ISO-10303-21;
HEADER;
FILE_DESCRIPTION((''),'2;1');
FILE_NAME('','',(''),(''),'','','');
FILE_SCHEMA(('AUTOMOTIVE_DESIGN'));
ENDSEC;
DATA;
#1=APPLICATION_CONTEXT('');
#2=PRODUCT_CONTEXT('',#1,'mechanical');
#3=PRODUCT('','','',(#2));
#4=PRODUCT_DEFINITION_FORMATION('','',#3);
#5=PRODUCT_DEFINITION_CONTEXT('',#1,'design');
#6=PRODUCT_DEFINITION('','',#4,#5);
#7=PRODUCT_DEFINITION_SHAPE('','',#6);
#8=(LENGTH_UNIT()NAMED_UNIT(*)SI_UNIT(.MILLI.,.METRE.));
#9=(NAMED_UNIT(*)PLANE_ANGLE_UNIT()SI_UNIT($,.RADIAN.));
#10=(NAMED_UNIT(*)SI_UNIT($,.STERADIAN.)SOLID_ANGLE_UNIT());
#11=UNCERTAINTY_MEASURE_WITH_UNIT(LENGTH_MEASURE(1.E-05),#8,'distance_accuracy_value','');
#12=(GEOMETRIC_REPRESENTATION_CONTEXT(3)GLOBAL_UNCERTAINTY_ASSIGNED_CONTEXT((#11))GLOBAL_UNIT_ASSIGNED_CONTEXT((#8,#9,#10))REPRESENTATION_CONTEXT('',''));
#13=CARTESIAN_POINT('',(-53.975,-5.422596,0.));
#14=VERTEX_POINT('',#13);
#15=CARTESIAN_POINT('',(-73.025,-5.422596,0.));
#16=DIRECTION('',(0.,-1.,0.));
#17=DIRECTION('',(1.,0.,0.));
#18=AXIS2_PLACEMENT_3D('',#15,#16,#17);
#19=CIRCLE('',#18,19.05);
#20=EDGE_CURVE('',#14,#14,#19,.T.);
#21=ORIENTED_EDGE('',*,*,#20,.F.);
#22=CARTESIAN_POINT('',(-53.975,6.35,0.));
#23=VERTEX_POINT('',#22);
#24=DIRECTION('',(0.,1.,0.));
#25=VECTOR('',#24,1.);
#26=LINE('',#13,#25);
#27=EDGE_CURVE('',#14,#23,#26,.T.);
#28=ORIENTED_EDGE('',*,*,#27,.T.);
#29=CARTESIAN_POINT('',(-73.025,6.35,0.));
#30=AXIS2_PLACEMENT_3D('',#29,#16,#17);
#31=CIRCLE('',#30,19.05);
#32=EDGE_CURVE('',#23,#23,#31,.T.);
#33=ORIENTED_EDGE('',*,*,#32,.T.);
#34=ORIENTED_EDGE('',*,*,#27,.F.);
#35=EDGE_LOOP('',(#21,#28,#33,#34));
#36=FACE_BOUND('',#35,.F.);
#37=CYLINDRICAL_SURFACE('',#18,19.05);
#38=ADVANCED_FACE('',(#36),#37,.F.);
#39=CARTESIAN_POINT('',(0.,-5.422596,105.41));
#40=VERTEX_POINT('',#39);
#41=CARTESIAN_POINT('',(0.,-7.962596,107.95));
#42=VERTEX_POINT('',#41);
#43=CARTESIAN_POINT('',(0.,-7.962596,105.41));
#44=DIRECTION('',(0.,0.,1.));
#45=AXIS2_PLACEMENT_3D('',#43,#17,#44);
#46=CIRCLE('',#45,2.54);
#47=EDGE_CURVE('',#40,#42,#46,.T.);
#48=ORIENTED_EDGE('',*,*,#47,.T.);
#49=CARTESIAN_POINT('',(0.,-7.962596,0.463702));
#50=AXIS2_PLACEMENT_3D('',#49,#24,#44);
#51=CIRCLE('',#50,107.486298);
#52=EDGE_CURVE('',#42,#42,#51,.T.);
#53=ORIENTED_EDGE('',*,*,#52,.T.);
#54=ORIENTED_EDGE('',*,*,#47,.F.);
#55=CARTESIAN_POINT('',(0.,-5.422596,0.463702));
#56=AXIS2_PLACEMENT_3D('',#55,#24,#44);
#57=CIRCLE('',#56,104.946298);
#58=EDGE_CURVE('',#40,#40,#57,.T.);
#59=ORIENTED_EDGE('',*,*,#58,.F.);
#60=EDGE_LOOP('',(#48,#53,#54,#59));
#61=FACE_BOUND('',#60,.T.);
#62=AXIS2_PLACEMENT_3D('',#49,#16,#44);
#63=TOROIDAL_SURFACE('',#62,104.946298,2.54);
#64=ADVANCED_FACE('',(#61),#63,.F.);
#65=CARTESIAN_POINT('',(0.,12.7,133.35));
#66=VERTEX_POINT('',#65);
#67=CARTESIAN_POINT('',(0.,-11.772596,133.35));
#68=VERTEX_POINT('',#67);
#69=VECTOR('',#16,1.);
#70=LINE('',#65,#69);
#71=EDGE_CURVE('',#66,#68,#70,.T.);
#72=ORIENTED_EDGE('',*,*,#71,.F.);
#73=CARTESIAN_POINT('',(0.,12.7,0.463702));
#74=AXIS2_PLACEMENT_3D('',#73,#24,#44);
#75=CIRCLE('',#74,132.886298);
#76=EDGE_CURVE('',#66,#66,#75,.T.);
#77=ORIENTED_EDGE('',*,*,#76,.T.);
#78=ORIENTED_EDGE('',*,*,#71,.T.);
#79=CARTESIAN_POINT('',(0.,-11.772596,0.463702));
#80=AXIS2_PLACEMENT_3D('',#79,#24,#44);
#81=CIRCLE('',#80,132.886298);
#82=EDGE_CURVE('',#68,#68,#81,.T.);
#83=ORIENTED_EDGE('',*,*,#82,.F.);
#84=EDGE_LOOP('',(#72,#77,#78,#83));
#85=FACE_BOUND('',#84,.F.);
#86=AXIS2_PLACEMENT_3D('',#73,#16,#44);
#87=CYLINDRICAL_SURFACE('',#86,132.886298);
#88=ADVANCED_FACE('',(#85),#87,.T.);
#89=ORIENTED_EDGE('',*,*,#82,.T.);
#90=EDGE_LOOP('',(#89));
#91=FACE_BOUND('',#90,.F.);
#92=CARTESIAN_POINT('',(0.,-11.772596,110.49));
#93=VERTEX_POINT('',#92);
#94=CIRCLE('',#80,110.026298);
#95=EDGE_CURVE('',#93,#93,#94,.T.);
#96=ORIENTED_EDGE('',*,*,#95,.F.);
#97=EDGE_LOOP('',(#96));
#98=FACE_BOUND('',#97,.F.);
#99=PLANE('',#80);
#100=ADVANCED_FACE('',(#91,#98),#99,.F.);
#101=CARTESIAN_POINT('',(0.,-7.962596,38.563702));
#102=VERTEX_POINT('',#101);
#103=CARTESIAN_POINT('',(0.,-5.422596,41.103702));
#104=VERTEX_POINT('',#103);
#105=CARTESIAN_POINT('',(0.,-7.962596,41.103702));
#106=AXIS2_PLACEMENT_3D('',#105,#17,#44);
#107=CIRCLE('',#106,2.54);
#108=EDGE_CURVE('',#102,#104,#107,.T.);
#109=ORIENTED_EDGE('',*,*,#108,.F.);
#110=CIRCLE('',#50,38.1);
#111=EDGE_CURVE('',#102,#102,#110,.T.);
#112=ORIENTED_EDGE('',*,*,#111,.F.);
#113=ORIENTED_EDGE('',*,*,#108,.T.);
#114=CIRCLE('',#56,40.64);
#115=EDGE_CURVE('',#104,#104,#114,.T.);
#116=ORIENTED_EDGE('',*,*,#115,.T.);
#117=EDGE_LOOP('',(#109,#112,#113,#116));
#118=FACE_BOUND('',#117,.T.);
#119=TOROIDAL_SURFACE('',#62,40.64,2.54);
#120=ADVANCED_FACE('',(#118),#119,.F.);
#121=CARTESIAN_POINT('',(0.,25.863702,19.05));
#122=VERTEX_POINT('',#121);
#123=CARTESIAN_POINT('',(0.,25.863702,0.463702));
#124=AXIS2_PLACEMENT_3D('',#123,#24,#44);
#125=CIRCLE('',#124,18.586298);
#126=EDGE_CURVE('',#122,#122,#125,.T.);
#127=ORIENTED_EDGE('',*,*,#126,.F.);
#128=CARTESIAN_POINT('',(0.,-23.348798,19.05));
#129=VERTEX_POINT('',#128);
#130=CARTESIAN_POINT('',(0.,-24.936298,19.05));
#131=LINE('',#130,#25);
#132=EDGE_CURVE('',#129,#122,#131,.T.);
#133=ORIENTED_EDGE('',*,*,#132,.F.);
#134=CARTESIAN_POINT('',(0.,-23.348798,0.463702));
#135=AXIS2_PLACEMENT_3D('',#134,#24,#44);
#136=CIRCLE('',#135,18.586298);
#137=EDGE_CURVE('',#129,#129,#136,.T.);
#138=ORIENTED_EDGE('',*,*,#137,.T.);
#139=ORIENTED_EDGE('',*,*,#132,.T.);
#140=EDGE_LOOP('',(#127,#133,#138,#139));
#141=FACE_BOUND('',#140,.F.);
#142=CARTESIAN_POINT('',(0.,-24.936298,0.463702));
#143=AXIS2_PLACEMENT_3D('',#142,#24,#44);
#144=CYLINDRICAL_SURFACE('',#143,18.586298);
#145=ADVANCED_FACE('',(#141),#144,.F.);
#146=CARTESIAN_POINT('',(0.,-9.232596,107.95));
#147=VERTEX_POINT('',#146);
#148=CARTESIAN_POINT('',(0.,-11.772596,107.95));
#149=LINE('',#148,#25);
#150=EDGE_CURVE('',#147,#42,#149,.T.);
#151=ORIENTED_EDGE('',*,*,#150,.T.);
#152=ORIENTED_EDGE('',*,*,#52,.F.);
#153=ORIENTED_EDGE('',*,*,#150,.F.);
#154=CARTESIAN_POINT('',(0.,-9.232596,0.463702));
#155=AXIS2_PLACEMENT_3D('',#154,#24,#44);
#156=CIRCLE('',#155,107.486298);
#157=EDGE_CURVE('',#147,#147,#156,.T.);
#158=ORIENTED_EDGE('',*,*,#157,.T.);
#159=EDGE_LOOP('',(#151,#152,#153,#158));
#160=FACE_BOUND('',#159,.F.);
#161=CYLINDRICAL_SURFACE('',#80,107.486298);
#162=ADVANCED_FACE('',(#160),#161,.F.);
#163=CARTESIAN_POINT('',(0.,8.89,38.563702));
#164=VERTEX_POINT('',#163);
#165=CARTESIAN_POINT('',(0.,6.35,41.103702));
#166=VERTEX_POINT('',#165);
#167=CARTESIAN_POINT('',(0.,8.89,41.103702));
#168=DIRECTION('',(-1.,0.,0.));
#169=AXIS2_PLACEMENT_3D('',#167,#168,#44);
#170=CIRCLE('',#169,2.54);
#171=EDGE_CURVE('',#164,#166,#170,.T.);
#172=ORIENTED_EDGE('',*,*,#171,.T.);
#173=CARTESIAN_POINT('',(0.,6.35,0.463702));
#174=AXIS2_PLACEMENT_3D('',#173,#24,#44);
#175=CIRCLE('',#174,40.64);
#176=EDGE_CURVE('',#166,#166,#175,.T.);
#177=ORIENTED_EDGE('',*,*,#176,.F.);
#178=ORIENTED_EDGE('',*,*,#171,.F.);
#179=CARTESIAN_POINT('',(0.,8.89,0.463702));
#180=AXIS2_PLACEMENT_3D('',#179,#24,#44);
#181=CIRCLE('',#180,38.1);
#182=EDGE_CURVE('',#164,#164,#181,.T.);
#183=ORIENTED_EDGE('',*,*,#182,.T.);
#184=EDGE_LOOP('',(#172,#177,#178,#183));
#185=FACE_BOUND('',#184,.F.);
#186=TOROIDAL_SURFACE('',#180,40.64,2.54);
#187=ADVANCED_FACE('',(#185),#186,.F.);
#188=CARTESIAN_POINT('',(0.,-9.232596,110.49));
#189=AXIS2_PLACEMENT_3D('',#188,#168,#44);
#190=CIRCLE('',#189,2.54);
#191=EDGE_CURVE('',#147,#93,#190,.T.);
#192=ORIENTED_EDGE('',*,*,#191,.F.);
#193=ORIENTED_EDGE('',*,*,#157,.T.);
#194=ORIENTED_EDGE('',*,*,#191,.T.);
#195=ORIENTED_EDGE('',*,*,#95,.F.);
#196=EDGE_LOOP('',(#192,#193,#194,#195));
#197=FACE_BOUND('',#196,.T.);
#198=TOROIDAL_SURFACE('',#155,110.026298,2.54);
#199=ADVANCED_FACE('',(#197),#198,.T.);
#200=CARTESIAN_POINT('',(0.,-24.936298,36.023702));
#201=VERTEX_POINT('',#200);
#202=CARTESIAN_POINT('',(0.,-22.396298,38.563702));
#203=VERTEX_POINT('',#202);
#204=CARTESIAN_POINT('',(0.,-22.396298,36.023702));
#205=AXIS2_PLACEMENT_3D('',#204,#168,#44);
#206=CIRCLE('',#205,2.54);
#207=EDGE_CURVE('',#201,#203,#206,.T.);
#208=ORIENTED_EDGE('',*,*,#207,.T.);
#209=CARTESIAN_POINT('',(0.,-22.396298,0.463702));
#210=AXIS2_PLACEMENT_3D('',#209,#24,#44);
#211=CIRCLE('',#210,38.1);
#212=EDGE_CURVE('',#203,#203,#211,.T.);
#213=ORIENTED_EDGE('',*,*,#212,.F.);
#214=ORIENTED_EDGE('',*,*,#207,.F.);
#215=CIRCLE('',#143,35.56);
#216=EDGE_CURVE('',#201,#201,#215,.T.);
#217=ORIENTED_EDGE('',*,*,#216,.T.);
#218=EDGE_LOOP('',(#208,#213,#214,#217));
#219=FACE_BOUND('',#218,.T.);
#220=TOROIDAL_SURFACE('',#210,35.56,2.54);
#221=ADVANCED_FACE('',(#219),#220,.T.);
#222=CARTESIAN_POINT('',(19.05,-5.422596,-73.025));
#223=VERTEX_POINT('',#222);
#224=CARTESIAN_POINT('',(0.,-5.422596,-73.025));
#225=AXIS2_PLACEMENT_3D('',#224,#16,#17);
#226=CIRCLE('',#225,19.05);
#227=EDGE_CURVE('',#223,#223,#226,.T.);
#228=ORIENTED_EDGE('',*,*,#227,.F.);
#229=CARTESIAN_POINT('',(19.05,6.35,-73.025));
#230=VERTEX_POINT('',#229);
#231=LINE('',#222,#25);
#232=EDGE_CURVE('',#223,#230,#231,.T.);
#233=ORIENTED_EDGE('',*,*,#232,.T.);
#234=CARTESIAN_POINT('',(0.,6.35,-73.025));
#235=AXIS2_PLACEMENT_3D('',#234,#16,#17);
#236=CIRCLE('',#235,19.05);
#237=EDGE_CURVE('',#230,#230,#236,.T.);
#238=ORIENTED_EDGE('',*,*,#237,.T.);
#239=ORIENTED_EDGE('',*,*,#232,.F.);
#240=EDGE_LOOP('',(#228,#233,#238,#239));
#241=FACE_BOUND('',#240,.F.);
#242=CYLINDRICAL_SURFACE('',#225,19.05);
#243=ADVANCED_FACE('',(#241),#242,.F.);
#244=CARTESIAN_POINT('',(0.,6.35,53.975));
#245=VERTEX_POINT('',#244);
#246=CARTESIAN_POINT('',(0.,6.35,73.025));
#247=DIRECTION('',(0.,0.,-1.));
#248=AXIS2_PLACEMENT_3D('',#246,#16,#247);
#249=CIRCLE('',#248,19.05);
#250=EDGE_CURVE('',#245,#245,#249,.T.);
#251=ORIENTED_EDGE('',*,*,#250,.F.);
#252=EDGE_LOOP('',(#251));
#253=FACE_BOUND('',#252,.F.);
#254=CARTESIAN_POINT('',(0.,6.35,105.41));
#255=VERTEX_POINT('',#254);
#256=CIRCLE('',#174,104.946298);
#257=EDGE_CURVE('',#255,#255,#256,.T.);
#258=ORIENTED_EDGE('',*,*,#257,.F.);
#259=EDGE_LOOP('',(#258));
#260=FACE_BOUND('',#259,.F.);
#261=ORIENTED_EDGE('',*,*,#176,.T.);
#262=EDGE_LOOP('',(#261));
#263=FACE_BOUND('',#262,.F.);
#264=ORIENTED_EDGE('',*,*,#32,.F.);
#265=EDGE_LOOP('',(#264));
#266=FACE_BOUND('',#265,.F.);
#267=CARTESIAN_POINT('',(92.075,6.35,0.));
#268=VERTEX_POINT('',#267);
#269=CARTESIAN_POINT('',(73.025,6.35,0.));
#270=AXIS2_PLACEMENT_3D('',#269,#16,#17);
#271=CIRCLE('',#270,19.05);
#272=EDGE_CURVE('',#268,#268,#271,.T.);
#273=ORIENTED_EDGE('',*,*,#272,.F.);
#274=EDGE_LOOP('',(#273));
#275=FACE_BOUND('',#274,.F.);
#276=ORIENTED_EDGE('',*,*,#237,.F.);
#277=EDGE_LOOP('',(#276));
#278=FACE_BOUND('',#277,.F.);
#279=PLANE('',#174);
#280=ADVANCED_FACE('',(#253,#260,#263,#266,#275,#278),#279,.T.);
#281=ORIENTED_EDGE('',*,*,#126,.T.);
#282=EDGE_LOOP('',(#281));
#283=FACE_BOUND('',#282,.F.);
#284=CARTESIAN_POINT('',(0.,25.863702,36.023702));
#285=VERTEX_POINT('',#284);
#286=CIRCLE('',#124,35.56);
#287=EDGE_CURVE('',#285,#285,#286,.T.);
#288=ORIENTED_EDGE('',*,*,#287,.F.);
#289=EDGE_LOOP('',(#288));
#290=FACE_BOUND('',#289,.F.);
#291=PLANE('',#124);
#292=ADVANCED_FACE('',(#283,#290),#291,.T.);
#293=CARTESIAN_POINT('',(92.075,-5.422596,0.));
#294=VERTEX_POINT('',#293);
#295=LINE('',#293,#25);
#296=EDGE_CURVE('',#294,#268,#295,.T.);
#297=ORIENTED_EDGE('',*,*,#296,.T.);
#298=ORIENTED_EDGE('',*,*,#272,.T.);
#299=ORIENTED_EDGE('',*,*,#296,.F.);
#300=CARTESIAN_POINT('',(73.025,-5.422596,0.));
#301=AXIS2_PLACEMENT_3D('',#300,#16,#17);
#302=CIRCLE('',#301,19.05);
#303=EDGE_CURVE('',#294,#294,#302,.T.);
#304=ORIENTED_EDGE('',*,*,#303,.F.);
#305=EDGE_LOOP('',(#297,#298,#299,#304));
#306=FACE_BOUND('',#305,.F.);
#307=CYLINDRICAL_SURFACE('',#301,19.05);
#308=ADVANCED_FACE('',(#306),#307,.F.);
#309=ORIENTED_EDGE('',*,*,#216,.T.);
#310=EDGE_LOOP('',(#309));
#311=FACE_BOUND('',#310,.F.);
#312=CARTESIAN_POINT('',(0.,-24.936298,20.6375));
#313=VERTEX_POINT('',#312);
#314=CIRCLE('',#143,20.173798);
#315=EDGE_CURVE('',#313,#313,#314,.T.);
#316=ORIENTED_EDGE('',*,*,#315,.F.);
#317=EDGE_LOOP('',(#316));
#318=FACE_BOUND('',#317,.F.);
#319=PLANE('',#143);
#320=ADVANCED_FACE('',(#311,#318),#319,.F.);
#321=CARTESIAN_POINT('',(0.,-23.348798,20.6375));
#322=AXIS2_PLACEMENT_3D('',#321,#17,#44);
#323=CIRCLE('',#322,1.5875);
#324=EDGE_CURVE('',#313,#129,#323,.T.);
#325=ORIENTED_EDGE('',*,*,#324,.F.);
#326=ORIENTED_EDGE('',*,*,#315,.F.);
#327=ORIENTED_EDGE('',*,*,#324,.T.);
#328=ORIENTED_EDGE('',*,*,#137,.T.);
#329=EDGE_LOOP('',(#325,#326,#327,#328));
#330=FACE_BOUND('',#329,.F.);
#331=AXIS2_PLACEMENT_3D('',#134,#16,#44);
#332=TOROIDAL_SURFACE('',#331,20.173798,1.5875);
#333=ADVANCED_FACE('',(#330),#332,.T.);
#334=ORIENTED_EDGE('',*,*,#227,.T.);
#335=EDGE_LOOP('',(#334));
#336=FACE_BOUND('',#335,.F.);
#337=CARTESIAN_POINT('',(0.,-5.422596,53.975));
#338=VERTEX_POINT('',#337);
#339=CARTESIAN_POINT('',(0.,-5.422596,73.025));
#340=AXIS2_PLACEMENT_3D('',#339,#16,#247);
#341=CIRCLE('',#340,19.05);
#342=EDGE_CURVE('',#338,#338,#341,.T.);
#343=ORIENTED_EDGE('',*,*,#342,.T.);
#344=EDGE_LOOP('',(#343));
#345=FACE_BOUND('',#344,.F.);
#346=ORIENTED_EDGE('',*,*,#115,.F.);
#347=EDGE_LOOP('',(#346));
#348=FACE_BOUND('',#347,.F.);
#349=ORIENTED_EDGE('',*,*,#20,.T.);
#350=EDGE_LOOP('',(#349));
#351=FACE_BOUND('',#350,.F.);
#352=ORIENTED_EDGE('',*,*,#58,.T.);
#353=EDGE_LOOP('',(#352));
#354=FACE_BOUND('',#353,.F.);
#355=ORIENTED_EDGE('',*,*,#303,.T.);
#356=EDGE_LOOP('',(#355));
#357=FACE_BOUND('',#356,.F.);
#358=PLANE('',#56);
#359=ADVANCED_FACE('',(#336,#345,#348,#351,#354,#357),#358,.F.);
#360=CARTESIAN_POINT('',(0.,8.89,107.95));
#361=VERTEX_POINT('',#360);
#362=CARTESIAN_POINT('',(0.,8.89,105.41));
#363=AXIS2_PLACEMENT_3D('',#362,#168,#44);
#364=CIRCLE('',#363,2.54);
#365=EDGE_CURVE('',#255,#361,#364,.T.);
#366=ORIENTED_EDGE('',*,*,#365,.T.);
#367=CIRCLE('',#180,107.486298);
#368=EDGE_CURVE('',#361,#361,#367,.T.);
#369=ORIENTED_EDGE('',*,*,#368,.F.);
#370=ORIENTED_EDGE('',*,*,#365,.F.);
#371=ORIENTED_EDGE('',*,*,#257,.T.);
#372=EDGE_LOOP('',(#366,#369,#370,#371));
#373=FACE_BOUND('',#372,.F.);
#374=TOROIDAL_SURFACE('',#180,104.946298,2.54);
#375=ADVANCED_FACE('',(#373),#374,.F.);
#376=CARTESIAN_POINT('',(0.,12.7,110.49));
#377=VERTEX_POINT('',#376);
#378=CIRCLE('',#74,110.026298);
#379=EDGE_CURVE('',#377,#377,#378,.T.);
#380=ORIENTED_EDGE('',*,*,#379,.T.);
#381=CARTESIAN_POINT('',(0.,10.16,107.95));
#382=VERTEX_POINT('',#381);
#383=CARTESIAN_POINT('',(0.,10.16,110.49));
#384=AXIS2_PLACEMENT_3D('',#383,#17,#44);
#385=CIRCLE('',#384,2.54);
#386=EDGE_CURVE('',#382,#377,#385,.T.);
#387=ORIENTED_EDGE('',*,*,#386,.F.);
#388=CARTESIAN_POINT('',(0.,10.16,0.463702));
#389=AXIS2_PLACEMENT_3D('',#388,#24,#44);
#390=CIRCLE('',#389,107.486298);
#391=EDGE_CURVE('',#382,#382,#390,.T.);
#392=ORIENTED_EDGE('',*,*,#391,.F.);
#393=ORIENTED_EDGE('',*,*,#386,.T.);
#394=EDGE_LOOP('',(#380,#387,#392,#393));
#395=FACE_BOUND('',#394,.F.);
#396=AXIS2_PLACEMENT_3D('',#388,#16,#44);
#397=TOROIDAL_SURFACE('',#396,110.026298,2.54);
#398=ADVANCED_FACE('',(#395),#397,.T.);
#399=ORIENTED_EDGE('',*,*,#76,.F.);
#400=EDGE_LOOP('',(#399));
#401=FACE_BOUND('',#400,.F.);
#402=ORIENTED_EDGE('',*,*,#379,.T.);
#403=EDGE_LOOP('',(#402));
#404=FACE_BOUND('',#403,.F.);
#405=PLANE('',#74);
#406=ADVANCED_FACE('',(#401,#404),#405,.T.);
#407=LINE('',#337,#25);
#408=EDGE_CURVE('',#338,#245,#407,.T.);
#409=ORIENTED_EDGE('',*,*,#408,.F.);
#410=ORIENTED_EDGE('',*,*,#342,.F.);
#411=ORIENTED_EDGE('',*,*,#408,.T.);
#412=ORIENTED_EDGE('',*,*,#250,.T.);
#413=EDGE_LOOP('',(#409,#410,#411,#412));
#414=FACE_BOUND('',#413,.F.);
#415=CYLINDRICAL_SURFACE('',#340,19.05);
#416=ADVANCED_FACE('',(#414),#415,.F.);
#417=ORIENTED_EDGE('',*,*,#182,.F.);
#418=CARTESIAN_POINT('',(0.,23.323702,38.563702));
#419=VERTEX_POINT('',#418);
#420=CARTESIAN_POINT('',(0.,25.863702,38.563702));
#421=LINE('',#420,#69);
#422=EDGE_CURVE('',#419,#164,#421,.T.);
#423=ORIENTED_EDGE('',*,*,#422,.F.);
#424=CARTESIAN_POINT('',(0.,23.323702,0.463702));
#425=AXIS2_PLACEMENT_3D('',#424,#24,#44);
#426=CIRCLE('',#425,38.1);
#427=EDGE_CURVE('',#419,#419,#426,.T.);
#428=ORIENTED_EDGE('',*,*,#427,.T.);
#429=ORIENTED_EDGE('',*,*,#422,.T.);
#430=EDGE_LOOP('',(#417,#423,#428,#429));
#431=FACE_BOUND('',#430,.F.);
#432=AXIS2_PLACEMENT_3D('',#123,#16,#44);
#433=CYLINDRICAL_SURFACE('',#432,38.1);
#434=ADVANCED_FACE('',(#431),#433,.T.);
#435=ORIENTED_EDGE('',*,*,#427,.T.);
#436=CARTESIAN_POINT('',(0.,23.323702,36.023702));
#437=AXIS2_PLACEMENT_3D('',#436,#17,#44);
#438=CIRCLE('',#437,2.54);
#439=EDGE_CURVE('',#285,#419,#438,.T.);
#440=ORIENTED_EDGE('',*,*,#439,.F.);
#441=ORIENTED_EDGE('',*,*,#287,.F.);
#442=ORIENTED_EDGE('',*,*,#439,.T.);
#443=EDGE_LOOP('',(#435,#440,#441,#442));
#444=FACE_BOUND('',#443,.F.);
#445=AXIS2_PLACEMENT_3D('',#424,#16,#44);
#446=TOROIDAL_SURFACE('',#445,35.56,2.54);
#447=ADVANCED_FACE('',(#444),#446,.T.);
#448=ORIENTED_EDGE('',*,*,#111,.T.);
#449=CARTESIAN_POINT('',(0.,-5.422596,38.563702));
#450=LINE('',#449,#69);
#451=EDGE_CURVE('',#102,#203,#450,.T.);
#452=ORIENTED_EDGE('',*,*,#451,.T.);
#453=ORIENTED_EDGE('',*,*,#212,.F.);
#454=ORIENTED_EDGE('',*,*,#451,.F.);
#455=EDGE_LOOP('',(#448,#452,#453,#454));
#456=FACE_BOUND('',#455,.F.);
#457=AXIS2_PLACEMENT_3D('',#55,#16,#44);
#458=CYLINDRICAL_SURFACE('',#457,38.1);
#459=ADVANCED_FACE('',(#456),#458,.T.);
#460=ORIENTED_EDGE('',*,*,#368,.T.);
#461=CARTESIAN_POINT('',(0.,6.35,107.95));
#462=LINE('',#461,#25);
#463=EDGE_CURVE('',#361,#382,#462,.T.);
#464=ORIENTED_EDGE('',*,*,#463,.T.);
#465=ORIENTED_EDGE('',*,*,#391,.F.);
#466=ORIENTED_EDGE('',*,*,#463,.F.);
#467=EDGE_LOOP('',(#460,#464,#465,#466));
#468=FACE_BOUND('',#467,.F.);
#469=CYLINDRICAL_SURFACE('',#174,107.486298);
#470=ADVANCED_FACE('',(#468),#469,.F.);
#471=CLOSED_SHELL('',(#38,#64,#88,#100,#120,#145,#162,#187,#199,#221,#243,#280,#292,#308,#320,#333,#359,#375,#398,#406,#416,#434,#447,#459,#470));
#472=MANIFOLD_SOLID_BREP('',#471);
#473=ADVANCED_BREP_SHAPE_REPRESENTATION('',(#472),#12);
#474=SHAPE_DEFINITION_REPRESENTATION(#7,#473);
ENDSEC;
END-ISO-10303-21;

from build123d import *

# Parameters (mm, degrees)
F2_R     = 19.05
F3_DEPTH = 25.4
F4_R     = 2.54
F5_R     = 1.5875
F6_R     = 2.54


with BuildPart() as f1:
    # F0 (on Right) → F1 (revolve)
    with BuildSketch(Plane.YZ):
        Polygon((-24.9362981572, 19.05), (0, 19.05), (0, 133.35), (-11.7725963144, 133.35), (-11.7725963144, 132.8862981572), (-11.7725963144, 107.95), (-5.4225963144, 107.95), (-5.4225963144, 38.5637018428), (-24.9362981572, 38.5637018428), align=None)
        Polygon((0, 133.35), (0, 19.05), (0.9274036856, 19.05), (25.8637018428, 19.05), (25.8637018428, 38.5637018428), (6.35, 38.5637018428), (6.35, 107.95), (12.7, 107.95), (12.7, 132.8862981572), (12.7, 133.35), (0.9274036856, 133.35), align=None)
    revolve(axis=Axis((0, 50.0096045726, 0.4637018428), (0, 1, 0)))

    # F2 (on face) → F3 (cut)
    with BuildSketch(Plane.XZ.offset(5.4225963144)):
        with BuildLine():
            ThreePointArc((19.05, 73.025), (-13.4703841816, 86.4953841816), (0, 53.975))
            ThreePointArc((0, 53.975), (13.4703841816, 59.5546158184), (19.05, 73.025))
        make_face()
        with Locations((-73.025, 0)):
            Circle(F2_R)
        with Locations((73.025, 0)):
            Circle(F2_R)
        with Locations((0, -73.025)):
            Circle(F2_R)
    extrude(amount=-F3_DEPTH, mode=Mode.SUBTRACT)

    # F4
    f4_edges = [f1.edges().sort_by_distance(p)[0] for p in [
        (0, -11.772596, -107.022596),
        (0, -5.422596, -107.022596),
        (0, -24.936298, -37.636298),
        (0, -5.422596, -37.636298),
    ]]
    fillet(f4_edges, radius=F4_R)

    # F5
    f5_edges = [f1.edges().sort_by_distance(p)[0] for p in [
        (0, -24.936298, -18.122596),
    ]]
    fillet(f5_edges, radius=F5_R)

    # F6
    f6_edges = [f1.edges().sort_by_distance(p)[0] for p in [
        (0, 6.35, -37.636298),
        (0, 25.863702, -37.636298),
        (0, 12.7, -107.022596),
        (0, 6.35, -107.022596),
    ]]
    fillet(f6_edges, radius=F6_R)


solid = f1.part
